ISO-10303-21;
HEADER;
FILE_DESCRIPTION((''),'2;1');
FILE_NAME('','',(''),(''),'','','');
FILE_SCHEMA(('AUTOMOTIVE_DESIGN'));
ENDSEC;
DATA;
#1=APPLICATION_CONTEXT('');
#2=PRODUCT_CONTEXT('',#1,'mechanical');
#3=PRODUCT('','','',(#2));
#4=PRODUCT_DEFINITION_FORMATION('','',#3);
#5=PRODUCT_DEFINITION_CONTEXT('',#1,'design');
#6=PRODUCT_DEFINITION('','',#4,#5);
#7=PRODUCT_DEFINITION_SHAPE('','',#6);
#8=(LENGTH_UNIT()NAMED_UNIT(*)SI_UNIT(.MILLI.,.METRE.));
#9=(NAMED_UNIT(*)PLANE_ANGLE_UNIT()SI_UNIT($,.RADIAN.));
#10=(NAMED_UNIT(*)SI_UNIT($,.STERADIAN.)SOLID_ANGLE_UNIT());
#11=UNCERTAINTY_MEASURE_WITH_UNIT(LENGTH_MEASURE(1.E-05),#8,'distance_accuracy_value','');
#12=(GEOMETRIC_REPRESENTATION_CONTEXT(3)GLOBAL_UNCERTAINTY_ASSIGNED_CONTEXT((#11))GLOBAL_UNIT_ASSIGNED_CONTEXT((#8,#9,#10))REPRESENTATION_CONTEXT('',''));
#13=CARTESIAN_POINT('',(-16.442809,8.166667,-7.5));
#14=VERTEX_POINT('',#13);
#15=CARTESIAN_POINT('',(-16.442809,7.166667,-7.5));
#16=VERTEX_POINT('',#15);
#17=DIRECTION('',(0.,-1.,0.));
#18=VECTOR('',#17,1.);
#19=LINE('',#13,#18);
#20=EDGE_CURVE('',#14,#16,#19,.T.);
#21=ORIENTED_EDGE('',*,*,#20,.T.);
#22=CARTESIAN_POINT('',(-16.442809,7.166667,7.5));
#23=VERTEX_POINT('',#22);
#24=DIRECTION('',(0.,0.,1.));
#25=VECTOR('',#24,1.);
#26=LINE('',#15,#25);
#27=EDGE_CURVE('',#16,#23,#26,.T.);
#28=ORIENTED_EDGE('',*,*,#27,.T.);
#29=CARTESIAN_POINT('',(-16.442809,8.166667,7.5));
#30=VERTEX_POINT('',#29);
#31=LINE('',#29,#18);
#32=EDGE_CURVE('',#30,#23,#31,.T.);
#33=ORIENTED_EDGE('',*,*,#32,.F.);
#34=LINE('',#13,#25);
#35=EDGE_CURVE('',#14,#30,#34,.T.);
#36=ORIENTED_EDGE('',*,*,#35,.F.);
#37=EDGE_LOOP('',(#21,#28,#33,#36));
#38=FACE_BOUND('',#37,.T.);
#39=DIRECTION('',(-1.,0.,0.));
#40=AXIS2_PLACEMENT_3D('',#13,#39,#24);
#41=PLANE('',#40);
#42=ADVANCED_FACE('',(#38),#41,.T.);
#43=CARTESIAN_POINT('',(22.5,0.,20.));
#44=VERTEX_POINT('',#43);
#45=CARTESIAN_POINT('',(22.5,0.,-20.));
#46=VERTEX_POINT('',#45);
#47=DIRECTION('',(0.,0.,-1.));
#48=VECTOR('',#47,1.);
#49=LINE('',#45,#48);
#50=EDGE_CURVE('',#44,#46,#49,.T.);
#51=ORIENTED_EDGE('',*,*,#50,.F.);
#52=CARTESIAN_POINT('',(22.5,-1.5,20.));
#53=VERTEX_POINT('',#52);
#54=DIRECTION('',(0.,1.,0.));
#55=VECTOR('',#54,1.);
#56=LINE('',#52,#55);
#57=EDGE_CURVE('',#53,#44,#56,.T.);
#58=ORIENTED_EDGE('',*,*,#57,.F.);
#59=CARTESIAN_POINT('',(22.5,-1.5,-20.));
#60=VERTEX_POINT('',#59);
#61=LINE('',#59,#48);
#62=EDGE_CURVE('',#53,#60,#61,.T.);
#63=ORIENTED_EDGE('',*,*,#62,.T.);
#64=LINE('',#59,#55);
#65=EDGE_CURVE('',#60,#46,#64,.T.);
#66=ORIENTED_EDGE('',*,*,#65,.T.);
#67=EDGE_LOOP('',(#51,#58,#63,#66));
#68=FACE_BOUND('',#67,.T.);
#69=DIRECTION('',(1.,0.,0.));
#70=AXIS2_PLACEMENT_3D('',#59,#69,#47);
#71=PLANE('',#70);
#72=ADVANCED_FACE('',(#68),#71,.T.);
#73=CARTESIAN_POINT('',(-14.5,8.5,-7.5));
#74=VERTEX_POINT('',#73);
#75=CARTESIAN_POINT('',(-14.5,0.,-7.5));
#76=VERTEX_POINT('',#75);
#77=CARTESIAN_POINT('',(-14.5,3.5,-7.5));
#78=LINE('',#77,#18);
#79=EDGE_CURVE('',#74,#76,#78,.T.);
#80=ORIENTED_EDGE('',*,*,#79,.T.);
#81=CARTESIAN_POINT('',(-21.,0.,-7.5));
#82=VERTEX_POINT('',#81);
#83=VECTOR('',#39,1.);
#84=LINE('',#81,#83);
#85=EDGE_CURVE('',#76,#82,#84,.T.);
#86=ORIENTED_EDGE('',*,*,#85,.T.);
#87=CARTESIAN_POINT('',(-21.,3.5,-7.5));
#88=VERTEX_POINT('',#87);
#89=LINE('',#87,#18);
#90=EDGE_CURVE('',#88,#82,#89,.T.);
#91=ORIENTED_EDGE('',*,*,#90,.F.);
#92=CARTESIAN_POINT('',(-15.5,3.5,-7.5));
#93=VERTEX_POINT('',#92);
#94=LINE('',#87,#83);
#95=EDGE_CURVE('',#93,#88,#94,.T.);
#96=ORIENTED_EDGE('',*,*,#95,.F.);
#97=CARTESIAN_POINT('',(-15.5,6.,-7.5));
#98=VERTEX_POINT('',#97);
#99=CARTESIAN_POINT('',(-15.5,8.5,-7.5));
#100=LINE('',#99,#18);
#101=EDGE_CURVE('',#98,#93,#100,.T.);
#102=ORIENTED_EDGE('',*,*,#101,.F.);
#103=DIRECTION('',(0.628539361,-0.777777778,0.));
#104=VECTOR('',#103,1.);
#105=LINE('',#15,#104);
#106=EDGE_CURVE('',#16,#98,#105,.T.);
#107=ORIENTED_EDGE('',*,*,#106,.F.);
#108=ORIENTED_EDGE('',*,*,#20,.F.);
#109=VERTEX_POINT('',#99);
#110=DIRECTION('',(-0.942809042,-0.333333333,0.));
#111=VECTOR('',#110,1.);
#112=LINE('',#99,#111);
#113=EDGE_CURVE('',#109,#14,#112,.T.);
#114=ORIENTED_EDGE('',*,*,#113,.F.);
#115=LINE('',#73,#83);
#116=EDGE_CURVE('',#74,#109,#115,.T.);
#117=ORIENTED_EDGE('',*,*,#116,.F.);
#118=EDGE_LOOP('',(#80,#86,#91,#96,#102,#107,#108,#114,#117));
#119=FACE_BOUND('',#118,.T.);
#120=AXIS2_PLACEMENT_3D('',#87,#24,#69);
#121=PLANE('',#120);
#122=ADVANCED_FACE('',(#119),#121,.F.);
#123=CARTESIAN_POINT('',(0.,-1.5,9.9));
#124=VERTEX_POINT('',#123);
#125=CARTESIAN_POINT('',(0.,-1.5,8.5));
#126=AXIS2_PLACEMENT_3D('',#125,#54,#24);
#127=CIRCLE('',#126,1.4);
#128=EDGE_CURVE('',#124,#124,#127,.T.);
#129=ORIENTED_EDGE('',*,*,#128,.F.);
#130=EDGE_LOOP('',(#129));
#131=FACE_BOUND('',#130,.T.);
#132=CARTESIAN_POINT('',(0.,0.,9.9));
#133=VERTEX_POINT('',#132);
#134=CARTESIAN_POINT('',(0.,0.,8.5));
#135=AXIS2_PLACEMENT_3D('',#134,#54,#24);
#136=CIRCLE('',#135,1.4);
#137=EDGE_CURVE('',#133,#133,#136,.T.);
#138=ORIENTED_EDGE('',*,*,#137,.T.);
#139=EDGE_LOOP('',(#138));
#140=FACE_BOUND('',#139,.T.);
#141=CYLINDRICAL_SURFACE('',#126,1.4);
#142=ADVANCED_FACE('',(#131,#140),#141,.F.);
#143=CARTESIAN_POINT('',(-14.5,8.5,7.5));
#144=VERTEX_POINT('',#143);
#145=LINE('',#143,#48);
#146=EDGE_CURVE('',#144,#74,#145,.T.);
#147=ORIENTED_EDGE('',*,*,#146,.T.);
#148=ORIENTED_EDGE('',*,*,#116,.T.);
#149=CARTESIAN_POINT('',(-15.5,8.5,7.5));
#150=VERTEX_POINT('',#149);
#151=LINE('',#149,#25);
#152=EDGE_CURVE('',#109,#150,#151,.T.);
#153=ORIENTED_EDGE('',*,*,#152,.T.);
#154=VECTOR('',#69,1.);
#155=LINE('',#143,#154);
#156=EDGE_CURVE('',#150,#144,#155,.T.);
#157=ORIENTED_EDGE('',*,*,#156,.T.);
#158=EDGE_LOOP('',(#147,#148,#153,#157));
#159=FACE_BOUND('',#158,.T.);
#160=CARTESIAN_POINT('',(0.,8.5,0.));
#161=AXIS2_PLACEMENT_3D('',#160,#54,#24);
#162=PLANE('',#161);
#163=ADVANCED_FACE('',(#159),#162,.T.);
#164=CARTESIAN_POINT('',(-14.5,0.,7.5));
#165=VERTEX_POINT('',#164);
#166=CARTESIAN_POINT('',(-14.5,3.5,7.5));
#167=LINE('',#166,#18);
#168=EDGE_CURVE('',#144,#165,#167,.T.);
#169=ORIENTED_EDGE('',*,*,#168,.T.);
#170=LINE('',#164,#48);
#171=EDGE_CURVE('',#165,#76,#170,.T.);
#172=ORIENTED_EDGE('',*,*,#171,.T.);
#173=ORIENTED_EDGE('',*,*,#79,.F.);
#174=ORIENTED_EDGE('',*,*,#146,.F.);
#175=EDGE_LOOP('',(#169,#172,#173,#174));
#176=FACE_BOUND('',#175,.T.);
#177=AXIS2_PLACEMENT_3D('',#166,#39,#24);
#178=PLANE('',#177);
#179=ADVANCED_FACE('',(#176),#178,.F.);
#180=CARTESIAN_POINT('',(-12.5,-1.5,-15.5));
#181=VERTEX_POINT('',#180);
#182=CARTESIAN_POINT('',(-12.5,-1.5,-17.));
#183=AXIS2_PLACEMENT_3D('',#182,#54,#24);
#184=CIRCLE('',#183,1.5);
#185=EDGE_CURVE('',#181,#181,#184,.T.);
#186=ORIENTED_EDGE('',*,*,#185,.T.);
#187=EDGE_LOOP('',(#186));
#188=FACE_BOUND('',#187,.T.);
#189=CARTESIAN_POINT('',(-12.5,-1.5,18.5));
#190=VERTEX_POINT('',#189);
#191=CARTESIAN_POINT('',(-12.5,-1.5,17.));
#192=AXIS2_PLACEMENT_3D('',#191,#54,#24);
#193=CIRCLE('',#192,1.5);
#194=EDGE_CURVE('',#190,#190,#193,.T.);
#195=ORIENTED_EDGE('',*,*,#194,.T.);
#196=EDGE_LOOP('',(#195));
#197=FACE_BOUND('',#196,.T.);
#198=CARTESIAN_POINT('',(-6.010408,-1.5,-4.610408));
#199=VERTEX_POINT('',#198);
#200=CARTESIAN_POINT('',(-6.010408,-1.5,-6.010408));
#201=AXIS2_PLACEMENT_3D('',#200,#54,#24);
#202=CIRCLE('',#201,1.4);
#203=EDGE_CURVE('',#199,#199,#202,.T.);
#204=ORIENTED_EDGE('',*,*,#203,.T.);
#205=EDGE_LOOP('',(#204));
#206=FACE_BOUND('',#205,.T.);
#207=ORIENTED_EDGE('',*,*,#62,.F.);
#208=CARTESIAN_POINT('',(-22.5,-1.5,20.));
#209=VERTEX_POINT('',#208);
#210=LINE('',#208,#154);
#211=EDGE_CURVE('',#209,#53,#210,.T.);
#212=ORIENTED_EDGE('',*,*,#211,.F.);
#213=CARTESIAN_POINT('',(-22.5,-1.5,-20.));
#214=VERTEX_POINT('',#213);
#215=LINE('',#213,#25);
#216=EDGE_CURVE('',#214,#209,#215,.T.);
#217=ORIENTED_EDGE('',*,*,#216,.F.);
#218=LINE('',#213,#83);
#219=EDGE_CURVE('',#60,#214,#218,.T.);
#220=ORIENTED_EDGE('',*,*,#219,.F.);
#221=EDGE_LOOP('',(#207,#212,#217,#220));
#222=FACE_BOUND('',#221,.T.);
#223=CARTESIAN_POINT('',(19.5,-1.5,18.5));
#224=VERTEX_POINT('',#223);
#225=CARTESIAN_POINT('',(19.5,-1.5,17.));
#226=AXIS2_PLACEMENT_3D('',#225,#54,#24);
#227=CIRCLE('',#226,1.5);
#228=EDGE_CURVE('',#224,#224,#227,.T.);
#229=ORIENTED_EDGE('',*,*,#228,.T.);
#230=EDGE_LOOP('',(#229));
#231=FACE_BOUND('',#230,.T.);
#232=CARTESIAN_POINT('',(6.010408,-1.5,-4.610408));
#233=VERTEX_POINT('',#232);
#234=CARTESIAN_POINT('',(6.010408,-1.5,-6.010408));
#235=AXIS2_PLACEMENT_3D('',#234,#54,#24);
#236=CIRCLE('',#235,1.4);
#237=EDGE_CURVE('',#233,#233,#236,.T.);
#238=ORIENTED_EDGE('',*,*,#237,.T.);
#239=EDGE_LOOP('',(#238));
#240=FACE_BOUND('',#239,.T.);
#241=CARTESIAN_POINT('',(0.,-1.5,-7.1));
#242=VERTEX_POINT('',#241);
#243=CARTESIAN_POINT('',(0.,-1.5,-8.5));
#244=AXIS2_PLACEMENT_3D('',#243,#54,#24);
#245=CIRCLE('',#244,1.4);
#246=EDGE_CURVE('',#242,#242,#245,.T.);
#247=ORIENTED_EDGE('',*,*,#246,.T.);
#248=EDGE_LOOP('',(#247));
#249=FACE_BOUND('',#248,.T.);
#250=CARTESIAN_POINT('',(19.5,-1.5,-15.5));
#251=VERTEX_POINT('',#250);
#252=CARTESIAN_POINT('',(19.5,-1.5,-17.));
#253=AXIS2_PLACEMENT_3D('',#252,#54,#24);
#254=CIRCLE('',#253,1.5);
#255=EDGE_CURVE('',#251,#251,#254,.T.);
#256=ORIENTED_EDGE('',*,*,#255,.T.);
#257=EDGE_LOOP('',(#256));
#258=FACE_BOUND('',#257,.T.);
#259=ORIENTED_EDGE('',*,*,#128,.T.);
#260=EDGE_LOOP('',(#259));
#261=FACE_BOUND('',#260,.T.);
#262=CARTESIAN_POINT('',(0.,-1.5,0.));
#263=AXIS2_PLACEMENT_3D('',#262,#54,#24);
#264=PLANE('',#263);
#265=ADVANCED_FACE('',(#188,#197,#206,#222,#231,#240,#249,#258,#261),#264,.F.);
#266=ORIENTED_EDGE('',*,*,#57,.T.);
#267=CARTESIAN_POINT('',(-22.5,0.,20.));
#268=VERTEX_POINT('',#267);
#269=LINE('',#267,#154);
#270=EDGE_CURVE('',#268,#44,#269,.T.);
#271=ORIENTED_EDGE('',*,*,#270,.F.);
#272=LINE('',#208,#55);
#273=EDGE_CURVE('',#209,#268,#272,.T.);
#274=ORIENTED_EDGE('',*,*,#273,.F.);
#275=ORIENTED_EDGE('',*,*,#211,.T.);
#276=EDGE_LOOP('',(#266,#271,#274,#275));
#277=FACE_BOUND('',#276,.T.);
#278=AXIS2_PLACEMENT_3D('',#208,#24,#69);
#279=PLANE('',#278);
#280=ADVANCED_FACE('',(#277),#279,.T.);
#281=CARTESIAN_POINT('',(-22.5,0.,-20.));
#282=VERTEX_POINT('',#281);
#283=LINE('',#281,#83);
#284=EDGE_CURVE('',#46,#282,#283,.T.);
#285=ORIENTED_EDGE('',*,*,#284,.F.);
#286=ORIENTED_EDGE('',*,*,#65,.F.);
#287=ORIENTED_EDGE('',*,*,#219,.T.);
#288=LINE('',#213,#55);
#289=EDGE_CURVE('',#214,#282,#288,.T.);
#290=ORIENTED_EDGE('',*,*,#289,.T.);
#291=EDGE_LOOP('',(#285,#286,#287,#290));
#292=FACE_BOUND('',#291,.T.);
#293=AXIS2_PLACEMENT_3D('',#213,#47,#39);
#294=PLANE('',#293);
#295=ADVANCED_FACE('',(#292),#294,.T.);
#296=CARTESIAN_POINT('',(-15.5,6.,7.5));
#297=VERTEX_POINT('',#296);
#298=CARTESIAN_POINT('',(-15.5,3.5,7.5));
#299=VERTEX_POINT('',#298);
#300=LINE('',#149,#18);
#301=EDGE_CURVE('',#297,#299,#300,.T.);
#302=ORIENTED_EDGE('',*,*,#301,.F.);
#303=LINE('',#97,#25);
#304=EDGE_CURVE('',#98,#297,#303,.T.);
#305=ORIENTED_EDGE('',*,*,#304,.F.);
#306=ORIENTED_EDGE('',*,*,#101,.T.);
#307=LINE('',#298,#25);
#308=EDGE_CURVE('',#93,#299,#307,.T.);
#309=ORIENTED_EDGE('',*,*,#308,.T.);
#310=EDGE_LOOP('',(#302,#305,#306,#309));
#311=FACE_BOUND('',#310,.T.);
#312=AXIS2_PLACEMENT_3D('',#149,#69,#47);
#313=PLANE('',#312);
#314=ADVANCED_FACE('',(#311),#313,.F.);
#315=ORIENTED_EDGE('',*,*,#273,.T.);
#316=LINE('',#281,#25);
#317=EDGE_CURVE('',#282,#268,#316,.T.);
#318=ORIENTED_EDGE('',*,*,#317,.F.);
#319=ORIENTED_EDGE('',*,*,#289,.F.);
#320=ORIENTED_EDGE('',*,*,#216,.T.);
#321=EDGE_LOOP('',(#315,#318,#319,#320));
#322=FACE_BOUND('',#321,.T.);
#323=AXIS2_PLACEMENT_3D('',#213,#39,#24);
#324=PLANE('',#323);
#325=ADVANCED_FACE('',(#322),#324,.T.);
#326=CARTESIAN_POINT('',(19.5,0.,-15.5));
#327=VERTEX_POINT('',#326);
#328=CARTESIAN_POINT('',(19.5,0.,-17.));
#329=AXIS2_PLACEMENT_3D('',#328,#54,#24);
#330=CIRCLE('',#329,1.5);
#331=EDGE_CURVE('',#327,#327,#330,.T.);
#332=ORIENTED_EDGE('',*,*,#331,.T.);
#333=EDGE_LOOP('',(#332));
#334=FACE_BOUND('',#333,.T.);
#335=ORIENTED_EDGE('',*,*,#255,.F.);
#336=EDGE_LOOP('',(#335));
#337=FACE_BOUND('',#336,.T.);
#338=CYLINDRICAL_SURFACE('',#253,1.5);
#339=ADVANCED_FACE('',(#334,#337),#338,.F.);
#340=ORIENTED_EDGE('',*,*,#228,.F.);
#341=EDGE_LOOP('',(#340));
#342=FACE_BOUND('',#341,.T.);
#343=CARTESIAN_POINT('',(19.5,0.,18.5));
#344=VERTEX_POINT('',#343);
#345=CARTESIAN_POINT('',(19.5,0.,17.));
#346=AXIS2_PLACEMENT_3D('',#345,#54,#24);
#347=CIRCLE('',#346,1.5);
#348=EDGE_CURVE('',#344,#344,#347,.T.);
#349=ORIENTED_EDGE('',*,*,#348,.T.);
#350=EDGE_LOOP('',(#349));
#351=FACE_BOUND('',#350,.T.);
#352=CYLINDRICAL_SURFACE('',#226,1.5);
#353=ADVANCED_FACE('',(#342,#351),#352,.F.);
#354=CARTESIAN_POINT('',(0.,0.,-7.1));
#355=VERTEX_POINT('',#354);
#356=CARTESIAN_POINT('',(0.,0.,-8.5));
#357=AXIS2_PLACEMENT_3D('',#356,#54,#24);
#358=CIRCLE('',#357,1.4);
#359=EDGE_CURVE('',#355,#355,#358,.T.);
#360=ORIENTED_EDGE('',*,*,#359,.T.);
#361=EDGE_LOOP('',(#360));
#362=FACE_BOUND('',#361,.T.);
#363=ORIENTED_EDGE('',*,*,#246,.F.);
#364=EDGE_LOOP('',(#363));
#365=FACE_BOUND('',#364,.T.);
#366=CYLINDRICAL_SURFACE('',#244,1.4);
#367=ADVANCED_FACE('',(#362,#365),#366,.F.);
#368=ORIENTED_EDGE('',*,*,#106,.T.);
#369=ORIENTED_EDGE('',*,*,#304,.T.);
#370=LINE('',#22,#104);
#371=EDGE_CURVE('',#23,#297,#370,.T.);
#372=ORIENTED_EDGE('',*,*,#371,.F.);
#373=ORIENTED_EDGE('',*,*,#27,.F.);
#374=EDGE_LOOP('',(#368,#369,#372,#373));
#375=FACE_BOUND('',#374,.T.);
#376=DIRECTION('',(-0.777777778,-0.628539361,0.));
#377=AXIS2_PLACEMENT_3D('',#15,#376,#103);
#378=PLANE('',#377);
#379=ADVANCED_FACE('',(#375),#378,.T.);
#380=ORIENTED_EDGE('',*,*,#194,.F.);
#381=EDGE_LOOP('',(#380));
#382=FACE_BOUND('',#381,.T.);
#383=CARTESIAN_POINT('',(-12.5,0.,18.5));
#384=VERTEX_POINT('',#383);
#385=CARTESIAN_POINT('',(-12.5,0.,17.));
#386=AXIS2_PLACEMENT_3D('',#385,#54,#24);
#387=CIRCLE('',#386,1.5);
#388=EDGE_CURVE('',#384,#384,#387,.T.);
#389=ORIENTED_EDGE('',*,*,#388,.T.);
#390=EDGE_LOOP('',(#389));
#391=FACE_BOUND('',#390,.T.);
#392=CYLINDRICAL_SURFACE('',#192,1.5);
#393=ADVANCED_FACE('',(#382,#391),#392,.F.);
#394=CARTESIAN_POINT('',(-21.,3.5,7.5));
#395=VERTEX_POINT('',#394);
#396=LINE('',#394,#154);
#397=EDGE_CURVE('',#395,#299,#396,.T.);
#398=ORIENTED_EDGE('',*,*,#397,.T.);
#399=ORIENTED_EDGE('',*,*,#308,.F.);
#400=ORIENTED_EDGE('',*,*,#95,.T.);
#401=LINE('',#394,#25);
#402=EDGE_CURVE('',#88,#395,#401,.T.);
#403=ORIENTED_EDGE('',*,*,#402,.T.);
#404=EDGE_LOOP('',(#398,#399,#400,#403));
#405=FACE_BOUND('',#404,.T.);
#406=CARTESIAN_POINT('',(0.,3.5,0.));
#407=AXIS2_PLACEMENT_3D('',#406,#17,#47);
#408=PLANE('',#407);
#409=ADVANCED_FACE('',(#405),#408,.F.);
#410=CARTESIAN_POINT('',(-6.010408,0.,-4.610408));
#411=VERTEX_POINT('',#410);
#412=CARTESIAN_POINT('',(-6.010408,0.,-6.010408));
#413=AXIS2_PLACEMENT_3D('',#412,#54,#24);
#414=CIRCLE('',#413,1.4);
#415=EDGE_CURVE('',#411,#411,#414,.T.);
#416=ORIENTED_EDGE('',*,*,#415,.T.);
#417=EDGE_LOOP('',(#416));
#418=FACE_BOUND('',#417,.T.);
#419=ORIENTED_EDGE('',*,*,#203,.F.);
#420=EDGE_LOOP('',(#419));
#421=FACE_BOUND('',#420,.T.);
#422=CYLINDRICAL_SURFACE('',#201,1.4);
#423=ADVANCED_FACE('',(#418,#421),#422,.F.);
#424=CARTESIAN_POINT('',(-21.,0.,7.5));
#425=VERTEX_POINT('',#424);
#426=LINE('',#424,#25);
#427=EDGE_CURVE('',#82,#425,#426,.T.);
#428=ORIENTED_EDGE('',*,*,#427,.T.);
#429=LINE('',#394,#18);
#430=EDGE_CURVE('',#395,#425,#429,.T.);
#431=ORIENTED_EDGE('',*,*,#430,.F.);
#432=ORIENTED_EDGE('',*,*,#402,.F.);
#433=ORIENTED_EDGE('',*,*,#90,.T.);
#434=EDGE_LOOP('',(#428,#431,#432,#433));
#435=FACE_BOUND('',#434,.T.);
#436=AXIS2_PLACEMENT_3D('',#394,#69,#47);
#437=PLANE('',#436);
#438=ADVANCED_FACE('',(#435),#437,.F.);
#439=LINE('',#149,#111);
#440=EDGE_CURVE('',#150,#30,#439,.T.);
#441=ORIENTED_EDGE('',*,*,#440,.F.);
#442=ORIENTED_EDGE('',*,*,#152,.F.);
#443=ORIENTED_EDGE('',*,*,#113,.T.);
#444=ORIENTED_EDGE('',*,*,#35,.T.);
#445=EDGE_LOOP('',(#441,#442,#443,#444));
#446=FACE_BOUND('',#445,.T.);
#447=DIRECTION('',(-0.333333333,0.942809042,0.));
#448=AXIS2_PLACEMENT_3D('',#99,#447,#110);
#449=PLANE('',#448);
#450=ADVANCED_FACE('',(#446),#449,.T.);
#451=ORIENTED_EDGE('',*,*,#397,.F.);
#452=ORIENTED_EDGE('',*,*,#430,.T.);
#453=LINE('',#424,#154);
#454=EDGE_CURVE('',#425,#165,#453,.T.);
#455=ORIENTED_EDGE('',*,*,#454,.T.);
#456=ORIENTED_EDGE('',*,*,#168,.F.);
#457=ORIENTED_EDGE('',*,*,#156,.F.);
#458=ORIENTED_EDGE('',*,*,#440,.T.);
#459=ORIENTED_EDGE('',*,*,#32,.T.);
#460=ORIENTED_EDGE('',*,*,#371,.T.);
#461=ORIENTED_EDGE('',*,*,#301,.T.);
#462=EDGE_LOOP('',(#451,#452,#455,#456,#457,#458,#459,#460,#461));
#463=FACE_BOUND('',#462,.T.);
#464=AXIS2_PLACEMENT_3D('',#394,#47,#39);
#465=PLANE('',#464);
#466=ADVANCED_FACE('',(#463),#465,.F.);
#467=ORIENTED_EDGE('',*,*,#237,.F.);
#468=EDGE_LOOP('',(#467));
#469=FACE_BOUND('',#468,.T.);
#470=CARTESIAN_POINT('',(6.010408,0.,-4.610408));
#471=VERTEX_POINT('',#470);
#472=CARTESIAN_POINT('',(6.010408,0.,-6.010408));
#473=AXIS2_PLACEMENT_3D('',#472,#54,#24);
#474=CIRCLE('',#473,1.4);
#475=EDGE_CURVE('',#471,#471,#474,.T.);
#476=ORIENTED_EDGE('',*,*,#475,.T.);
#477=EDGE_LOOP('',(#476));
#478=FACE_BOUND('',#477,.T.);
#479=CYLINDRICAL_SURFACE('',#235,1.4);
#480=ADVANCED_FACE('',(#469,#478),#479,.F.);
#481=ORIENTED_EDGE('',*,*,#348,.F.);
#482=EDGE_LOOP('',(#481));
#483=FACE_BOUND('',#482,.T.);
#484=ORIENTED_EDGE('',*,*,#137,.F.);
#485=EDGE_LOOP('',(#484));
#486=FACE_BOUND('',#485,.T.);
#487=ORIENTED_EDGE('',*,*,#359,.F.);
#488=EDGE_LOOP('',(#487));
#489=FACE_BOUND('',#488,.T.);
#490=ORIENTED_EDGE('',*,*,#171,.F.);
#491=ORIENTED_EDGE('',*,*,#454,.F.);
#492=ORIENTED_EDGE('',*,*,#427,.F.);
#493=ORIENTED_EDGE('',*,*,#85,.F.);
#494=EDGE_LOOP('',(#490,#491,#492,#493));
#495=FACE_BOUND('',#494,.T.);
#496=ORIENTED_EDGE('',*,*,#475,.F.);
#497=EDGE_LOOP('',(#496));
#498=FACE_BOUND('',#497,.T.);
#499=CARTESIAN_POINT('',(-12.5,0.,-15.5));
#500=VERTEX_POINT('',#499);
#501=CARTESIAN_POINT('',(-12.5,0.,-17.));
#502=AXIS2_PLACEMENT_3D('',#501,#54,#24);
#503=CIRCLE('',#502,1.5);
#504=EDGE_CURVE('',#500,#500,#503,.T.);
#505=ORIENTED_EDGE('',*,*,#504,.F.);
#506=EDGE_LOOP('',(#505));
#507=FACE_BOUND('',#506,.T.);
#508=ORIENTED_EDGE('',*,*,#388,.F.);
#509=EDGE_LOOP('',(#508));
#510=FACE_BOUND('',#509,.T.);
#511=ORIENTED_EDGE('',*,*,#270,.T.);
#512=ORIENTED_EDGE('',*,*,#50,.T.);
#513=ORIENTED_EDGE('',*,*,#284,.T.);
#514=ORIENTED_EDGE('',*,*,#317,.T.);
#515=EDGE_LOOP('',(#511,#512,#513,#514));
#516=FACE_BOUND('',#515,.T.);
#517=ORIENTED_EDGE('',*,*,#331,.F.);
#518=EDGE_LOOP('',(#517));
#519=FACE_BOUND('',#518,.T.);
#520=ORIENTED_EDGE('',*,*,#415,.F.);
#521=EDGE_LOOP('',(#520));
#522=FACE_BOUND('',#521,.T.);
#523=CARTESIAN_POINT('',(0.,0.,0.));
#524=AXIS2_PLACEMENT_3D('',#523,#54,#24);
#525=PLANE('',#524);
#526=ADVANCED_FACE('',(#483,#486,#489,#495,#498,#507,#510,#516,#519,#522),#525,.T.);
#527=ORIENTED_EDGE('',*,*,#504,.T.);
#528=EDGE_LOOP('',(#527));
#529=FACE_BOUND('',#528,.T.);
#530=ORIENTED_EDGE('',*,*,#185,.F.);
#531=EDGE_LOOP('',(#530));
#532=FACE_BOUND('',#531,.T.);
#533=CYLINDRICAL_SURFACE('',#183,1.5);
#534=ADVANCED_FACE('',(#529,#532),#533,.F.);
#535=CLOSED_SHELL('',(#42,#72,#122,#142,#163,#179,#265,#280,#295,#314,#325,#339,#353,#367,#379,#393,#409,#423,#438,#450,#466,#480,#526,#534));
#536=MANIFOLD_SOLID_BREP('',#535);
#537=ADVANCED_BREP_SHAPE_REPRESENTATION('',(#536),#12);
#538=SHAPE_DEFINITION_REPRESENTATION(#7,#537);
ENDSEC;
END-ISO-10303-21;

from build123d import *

# Parameters (mm, degrees)
SKETCH2_W           = 45
SKETCH2_H           = 40
BOSS_EXTRUDE2_DEPTH = 1.5
SKETCH4_R           = 1.4
CUT_EXTRUDE1_DEPTH  = 2.5
SKETCH5_W           = 6.5
SKETCH5_H           = 15
BOSS_EXTRUDE3_DEPTH = 3.5
SKETCH6_W           = 1
SKETCH6_H           = 15
BOSS_EXTRUDE4_DEPTH = 5
BOSS_EXTRUDE5_DEPTH = 15
SKETCH9_R           = 1.5
CUT_EXTRUDE2_DEPTH  = 2.5


with BuildPart() as part:
    # Sketch2 → Boss-Extrude2 (new body)
    with BuildSketch(Plane(origin=(0, 0, 0), x_dir=(1, 0, 0), z_dir=(0, 1, 0))):
        Rectangle(SKETCH2_W, SKETCH2_H)
    extrude(amount=-BOSS_EXTRUDE2_DEPTH)

    # Sketch4 → Cut-Extrude1 (cut, through all)
    with BuildSketch(Plane(origin=(0, 0, 0), x_dir=(1, 0, 0), z_dir=(0, 1, 0))):
        with Locations((0, 8.5)):
            Circle(SKETCH4_R)
        with Locations((6.01040764, 6.01040764)):
            Circle(SKETCH4_R)
        with Locations((0, -8.5)):
            Circle(SKETCH4_R)
        with Locations((-6.01040764, 6.01040764)):
            Circle(SKETCH4_R)
    extrude(amount=-CUT_EXTRUDE1_DEPTH, mode=Mode.SUBTRACT)

    # Sketch5 → Boss-Extrude3 (add)
    with BuildSketch(Plane(origin=(0, 0, 0), x_dir=(1, 0, 0), z_dir=(0, 1, 0))):
        with Locations((-17.75, 0)):
            Rectangle(SKETCH5_W, SKETCH5_H)
    extrude(amount=BOSS_EXTRUDE3_DEPTH)

    # Sketch6 → Boss-Extrude4 (add)
    with BuildSketch(Plane(origin=(0, 3.5, 0), x_dir=(1, 0, 0), z_dir=(0, 1, 0))):
        with Locations((-15, 0)):
            Rectangle(SKETCH6_W, SKETCH6_H)
    extrude(amount=BOSS_EXTRUDE4_DEPTH)

    # Sketch7 → Boss-Extrude5 (add)
    with BuildSketch(Plane.XY.offset(7.5)):
        Polygon((-15.5, 8.5), (-16.442809042, 8.166666667), (-16.442809042, 7.166666667), (-15.5, 6), align=None)
    extrude(amount=-BOSS_EXTRUDE5_DEPTH)

    # Sketch9 → Cut-Extrude2 (cut, through all)
    with BuildSketch(Plane(origin=(0, 0, 0), x_dir=(1, 0, 0), z_dir=(0, 1, 0))):
        with Locations((-12.5, 17)):
            Circle(SKETCH9_R)
        with Locations((-12.5, -17)):
            Circle(SKETCH9_R)
        with Locations((19.5, 17)):
            Circle(SKETCH9_R)
        with Locations((19.5, -17)):
            Circle(SKETCH9_R)
    extrude(amount=-CUT_EXTRUDE2_DEPTH, mode=Mode.SUBTRACT)


solid = part.part
